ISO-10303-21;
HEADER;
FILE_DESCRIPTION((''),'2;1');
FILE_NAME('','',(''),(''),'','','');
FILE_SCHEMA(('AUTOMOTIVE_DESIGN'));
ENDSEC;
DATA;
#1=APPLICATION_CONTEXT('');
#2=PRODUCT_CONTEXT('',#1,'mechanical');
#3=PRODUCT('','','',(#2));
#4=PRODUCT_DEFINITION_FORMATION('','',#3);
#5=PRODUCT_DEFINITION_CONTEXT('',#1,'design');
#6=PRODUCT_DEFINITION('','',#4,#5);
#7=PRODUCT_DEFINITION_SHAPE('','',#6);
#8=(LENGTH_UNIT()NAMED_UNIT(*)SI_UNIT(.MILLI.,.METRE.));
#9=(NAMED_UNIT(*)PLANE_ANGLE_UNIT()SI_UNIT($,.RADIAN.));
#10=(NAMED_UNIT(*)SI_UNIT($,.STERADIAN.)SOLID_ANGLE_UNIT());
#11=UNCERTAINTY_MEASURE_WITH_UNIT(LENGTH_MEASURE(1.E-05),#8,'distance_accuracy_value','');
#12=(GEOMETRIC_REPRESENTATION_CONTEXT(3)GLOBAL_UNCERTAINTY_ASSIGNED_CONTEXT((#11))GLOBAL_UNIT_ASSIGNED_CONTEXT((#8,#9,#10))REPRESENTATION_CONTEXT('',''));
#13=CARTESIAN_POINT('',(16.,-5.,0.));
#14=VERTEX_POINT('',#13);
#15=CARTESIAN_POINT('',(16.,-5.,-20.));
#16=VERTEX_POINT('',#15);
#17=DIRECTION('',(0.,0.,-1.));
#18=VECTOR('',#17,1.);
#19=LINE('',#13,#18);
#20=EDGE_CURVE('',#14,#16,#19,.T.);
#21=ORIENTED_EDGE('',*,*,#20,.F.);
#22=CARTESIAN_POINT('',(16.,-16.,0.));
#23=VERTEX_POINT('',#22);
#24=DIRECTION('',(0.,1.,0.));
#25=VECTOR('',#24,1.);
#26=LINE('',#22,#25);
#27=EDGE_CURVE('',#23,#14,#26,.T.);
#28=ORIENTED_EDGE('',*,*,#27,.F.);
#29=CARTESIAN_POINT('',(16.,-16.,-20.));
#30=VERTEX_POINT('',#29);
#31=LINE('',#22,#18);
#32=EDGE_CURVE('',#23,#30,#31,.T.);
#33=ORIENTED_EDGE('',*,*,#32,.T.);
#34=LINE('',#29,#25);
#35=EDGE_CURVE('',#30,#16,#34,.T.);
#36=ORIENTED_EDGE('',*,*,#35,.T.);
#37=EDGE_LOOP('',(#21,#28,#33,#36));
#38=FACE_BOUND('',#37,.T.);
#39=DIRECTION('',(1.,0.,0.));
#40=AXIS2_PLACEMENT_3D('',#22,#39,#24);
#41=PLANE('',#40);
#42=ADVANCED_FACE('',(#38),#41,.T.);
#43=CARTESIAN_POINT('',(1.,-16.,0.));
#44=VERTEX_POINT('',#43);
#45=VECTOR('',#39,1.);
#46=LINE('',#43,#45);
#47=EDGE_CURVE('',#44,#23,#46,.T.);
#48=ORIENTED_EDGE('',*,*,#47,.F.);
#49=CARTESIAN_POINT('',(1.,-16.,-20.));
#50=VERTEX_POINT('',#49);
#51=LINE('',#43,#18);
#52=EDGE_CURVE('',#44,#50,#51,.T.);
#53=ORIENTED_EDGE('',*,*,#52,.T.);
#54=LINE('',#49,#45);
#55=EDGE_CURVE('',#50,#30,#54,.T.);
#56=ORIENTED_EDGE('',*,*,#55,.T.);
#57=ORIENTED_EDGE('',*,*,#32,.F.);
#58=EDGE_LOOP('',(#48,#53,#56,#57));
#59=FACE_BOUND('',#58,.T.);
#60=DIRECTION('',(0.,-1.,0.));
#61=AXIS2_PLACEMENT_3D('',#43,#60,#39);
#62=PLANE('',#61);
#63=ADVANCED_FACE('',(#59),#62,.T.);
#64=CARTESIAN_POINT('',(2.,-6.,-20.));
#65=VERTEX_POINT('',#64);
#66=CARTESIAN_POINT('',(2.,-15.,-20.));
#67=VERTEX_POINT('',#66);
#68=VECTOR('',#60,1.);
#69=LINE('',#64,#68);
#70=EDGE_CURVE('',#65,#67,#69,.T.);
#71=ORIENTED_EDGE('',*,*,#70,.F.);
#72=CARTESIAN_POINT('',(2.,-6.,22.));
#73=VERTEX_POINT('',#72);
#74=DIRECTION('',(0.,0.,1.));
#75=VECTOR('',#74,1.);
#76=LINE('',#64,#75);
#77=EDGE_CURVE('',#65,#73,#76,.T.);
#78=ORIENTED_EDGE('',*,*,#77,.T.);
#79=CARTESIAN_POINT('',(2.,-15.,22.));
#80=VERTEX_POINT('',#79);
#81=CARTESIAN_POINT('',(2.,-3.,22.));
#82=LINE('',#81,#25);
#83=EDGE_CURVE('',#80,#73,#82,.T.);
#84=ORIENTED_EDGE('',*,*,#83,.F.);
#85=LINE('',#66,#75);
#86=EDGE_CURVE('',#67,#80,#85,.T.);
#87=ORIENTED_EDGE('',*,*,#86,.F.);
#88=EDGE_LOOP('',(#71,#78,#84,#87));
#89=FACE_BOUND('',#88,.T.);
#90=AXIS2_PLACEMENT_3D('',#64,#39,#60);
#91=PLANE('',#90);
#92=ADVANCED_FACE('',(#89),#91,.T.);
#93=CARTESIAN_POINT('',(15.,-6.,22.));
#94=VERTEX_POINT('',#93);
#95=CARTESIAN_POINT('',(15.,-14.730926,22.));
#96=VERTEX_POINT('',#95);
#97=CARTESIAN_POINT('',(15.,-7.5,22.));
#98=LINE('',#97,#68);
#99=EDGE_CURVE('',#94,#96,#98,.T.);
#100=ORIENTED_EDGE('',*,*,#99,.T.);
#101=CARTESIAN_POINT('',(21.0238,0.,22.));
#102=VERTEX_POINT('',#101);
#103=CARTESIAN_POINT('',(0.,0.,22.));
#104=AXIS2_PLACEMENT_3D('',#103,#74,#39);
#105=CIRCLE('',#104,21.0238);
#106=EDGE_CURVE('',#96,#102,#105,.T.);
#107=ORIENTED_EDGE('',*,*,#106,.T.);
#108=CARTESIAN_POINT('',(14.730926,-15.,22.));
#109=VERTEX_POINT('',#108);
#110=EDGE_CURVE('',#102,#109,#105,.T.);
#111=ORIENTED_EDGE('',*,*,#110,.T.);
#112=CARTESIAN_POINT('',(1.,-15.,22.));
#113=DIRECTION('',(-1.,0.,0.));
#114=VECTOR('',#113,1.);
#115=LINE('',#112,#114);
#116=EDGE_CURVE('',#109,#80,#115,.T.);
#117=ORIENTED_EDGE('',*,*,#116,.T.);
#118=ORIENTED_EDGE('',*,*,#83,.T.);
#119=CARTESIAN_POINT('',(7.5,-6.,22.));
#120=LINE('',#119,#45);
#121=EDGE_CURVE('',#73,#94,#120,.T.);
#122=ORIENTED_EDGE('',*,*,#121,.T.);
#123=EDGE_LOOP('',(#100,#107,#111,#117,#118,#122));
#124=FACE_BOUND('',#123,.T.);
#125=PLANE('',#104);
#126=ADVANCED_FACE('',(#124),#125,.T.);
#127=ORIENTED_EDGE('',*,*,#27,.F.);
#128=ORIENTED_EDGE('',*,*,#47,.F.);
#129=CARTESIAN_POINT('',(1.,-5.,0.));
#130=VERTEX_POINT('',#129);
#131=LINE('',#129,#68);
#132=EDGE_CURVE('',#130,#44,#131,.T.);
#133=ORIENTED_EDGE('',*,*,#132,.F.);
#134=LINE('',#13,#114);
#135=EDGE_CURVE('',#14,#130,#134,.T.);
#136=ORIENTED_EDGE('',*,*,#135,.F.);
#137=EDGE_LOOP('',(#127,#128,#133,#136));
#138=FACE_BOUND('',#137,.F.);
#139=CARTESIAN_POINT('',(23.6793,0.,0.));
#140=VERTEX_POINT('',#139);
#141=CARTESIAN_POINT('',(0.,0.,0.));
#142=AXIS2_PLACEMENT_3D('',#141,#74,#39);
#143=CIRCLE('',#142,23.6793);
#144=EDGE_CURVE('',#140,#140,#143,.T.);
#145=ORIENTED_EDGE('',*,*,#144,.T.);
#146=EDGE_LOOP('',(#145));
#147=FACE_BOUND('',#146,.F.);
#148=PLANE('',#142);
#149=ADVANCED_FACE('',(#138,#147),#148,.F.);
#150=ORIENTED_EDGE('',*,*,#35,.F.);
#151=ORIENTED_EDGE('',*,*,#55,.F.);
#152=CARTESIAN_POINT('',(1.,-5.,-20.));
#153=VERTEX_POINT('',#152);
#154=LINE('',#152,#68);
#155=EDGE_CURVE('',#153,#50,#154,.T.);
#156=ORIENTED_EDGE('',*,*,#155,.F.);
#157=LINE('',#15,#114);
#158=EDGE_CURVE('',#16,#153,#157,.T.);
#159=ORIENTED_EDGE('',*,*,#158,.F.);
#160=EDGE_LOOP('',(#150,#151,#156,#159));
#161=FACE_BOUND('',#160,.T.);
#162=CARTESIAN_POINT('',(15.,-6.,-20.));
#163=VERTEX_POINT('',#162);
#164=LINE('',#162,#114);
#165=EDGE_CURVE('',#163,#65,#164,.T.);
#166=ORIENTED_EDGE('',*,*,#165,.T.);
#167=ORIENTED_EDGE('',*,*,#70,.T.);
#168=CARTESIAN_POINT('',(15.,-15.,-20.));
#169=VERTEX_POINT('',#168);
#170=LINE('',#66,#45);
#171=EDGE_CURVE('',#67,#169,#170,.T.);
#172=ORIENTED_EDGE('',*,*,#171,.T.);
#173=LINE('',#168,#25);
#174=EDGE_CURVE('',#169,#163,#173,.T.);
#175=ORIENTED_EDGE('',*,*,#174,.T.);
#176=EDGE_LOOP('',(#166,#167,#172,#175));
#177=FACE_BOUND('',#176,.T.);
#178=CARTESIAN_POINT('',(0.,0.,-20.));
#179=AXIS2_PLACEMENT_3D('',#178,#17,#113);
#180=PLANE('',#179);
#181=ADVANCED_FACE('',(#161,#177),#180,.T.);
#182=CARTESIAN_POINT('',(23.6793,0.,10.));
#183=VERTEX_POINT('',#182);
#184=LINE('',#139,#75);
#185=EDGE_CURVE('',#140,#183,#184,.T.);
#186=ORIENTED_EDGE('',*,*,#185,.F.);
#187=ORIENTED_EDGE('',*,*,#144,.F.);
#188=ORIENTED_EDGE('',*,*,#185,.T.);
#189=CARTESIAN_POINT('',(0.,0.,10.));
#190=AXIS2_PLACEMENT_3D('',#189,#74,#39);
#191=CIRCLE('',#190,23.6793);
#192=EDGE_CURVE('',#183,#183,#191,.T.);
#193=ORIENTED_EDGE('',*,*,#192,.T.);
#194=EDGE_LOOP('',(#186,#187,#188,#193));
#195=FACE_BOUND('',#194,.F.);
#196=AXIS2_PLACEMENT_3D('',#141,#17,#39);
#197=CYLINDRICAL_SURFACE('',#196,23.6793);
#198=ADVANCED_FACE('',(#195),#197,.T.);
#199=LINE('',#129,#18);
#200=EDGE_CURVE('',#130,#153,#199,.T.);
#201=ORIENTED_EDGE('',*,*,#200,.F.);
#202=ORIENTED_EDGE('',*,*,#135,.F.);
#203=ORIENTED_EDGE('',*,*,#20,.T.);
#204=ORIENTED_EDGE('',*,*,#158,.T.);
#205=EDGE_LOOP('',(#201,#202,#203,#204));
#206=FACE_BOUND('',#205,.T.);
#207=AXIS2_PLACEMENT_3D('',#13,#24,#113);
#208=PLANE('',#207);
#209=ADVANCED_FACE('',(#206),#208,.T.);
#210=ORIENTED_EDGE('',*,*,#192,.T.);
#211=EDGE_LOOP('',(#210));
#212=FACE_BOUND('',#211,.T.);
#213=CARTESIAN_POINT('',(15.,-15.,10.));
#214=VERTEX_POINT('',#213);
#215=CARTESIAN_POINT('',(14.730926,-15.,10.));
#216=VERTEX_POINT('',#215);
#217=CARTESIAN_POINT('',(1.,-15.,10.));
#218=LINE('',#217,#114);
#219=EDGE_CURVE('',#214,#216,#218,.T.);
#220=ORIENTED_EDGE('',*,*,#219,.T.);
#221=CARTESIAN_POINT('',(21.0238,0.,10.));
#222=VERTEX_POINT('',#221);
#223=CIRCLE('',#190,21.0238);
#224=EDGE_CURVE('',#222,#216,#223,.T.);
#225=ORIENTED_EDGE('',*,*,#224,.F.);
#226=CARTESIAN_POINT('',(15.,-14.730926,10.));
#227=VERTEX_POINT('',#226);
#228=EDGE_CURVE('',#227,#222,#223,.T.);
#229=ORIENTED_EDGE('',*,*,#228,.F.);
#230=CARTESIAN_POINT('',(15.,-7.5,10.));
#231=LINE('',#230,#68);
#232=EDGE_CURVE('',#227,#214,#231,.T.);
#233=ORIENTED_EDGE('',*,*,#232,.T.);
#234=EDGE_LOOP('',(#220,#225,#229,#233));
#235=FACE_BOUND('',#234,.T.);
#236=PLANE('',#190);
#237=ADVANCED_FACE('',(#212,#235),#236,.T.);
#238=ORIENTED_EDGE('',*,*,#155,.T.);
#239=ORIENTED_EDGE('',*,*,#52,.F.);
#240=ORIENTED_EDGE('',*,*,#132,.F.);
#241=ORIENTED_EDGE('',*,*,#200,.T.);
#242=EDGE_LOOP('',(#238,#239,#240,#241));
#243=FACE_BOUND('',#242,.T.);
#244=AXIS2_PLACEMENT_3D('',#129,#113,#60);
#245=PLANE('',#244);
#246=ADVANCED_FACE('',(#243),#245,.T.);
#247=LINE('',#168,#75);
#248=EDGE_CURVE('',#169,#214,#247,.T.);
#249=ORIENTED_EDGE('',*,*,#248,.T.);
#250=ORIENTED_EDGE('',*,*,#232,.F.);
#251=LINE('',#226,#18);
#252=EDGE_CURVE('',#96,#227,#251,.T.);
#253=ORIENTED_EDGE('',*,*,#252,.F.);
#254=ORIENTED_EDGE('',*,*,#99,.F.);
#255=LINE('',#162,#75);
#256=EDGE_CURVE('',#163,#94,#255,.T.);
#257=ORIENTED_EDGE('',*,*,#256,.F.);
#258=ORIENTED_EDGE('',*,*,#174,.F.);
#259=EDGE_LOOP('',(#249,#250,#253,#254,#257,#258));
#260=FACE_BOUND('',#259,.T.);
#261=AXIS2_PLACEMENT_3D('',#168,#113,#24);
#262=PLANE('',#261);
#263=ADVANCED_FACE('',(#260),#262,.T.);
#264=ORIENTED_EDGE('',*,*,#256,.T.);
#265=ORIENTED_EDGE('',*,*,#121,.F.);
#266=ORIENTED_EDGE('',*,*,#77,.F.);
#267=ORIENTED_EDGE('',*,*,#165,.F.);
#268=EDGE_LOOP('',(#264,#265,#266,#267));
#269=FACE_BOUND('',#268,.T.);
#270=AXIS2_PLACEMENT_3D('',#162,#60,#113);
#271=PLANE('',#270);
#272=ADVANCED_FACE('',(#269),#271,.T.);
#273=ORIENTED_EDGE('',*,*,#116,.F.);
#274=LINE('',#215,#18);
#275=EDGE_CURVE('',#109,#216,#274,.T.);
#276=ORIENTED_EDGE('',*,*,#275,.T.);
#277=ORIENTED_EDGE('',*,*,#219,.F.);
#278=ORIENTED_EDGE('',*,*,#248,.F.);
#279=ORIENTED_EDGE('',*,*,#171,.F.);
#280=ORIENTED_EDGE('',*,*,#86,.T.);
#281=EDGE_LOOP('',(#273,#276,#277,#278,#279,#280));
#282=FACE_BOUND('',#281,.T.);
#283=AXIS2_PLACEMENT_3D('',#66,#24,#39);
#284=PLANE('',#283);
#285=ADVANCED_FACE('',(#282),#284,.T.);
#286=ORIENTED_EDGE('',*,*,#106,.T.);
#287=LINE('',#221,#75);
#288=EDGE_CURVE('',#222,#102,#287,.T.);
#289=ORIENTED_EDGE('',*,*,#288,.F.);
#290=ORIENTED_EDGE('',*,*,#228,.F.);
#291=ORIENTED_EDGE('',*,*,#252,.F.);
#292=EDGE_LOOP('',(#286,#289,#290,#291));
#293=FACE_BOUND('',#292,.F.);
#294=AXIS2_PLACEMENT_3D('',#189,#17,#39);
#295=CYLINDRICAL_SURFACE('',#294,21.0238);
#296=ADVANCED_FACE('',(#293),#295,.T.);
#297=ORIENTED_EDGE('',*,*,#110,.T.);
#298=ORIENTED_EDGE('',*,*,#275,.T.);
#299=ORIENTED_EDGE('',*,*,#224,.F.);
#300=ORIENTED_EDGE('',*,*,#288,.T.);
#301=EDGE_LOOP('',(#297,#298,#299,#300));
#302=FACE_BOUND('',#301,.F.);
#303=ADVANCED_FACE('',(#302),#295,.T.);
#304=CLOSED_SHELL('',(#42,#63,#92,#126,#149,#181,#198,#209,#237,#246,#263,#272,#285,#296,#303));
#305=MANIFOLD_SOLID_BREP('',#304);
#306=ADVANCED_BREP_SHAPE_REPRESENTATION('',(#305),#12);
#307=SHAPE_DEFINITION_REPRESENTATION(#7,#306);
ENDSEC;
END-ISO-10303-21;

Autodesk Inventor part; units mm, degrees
ref_plane "YZ Plane" through (0, 0, 0) normal (1, 0, 0) x (0, 1, 0)
ref_plane "XZ Plane" through (0, 0, 0) normal (0, 1, 0) x (-1, 0, 0)
ref_plane "XY Plane" through (0, 0, 0) normal (0, 0, 1) x (1, 0, 0)
sketch "Sketch1" plane through (0, 0, 0) normal (0, 0, 1) x (1, 0, 0)
  circle A0 centre (0, 0) radius 23.6793
extrude "Extrusion1" add sketch "Sketch1" along normal blind 10
sketch "Sketch2" plane through (0, 0, 10) normal (0, 0, 1) x (1, 0, 0)
  circle A0 centre (0, 0) radius 21.0238
extrude "Extrusion2" add sketch "Sketch2" along normal blind 12
sketch "Sketch3" plane through (0, 0, 0) normal (0, 0, -1) x (-1, 0, 0)
  line L0 (-16, -5) -> (-1, -5)
  line L1 (-1, -5) -> (-1, -16)
  line L2 (-1, -16) -> (-16, -16)
  line L3 (-16, -16) -> (-16, -5)
  point P0 (0, 0)
extrude "Extrusion3" add sketch "Sketch3" along normal blind 20
sketch "Sketch4" plane through (0, 0, -20) normal (0, 0, -1) x (-1, 0, 0)
  line L0 (-15, -6) -> (-2, -6)
  line L1 (-2, -6) -> (-2, -15)
  line L2 (-2, -15) -> (-15, -15)
  line L3 (-15, -15) -> (-15, -6)
  point P0 (0, 0)
extrude "Extrusion4" cut sketch "Sketch4" against normal through all
sketch "Sketch5" plane through (0, 0, -20) normal (0, 0, -1) x (-1, 0, 0)
  point P0 (0, 0)
properties part number "lid"
